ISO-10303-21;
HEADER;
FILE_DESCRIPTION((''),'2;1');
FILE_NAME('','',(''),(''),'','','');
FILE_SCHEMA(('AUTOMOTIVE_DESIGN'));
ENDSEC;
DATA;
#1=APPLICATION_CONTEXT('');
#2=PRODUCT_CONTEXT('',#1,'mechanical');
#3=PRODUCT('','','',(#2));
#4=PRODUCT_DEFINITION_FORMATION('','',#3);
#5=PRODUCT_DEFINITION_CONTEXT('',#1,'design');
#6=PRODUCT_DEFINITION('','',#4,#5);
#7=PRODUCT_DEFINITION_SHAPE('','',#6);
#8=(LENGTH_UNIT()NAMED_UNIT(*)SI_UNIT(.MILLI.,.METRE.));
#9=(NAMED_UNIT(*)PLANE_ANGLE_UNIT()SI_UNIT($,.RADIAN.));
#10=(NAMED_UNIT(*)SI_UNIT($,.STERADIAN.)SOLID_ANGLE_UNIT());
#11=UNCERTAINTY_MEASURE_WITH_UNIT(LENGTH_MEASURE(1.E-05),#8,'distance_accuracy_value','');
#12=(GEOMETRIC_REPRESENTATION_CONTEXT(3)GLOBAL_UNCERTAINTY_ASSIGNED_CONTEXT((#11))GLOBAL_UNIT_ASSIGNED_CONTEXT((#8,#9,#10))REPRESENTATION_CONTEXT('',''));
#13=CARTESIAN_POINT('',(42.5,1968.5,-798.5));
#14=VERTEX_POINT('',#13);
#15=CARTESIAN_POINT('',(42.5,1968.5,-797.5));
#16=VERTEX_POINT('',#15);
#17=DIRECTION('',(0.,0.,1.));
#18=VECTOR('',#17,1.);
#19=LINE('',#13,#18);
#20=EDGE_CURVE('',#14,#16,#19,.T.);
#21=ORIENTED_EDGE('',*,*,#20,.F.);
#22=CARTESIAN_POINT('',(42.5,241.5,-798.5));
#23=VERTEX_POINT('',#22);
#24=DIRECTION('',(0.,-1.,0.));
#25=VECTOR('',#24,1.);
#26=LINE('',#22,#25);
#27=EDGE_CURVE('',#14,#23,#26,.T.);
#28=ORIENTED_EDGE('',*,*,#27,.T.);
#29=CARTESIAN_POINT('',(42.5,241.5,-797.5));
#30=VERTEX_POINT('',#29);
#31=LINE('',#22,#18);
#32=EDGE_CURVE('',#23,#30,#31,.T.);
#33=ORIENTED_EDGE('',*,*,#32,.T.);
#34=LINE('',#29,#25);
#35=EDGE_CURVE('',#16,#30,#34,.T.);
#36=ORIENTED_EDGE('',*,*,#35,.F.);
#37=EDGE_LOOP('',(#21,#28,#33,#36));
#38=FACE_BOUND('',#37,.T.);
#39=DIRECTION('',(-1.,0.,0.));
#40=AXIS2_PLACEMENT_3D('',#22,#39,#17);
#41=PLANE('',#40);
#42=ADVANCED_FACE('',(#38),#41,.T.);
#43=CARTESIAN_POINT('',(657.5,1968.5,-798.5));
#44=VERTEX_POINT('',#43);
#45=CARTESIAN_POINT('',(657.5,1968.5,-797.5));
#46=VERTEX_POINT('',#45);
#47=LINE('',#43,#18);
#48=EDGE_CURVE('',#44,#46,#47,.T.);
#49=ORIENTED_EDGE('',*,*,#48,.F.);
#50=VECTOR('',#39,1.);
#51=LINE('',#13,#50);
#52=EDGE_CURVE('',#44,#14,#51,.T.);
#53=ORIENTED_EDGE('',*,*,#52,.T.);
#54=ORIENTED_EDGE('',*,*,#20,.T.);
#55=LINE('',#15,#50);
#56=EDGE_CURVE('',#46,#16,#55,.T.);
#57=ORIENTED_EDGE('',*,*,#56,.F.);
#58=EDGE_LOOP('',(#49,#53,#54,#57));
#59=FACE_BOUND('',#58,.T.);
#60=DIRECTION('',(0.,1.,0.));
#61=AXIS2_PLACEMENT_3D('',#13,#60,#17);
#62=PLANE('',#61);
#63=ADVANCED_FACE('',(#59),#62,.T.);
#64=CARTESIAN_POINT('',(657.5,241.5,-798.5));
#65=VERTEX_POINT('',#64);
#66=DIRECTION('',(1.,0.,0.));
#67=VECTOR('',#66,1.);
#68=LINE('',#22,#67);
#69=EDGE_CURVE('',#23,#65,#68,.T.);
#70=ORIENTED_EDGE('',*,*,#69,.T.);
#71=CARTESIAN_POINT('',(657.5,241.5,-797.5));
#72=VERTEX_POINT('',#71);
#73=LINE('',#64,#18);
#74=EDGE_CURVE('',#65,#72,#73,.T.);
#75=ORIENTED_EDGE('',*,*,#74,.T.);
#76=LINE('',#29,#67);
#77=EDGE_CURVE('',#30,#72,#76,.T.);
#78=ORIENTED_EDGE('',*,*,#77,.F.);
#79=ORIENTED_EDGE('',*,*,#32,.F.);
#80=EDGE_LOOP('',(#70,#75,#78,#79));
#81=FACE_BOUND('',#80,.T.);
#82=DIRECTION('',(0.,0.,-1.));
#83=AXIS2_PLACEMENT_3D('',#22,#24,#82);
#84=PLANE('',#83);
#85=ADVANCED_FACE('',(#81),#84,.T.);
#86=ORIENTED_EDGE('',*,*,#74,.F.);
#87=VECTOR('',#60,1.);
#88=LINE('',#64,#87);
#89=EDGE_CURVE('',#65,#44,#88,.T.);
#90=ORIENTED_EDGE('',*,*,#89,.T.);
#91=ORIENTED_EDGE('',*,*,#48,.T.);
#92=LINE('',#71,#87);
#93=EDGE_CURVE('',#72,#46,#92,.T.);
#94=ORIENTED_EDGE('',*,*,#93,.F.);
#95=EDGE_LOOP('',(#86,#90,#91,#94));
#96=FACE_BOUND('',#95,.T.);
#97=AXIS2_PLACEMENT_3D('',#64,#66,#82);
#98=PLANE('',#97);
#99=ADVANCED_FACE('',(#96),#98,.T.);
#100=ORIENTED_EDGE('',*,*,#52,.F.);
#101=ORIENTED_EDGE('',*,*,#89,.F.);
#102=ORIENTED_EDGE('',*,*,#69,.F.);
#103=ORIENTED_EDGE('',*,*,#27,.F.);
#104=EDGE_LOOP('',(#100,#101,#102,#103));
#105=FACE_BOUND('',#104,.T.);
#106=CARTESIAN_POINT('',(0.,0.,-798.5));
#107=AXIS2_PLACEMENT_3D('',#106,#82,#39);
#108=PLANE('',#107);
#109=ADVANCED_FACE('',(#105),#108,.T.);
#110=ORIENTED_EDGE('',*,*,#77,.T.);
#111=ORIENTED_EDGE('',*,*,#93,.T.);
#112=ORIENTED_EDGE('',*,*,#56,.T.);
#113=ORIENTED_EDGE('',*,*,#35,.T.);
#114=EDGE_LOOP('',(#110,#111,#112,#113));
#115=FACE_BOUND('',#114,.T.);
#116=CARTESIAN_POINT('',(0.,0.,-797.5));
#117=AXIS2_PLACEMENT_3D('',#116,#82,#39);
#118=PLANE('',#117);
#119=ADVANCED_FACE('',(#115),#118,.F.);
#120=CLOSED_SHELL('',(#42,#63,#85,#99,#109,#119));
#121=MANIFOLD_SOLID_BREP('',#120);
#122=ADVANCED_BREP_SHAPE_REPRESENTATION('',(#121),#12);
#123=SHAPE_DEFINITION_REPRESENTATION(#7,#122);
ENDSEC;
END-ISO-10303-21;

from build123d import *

# Parameters (mm, degrees)
TOPPING_IC_ARKA_1_START = -797.5
SKETCH1_W               = 615
SKETCH1_H               = 1727
TOPPING_IC_ARKA_1_DEPTH = 1


with BuildPart() as part:
    # Sketch1 → TOPPING_ic_arka_1 (new body)
    with BuildSketch(Plane.XY.offset(TOPPING_IC_ARKA_1_START)):
        with Locations((350, 1105)):
            Rectangle(SKETCH1_W, SKETCH1_H)
    extrude(amount=-TOPPING_IC_ARKA_1_DEPTH)


solid = part.part
